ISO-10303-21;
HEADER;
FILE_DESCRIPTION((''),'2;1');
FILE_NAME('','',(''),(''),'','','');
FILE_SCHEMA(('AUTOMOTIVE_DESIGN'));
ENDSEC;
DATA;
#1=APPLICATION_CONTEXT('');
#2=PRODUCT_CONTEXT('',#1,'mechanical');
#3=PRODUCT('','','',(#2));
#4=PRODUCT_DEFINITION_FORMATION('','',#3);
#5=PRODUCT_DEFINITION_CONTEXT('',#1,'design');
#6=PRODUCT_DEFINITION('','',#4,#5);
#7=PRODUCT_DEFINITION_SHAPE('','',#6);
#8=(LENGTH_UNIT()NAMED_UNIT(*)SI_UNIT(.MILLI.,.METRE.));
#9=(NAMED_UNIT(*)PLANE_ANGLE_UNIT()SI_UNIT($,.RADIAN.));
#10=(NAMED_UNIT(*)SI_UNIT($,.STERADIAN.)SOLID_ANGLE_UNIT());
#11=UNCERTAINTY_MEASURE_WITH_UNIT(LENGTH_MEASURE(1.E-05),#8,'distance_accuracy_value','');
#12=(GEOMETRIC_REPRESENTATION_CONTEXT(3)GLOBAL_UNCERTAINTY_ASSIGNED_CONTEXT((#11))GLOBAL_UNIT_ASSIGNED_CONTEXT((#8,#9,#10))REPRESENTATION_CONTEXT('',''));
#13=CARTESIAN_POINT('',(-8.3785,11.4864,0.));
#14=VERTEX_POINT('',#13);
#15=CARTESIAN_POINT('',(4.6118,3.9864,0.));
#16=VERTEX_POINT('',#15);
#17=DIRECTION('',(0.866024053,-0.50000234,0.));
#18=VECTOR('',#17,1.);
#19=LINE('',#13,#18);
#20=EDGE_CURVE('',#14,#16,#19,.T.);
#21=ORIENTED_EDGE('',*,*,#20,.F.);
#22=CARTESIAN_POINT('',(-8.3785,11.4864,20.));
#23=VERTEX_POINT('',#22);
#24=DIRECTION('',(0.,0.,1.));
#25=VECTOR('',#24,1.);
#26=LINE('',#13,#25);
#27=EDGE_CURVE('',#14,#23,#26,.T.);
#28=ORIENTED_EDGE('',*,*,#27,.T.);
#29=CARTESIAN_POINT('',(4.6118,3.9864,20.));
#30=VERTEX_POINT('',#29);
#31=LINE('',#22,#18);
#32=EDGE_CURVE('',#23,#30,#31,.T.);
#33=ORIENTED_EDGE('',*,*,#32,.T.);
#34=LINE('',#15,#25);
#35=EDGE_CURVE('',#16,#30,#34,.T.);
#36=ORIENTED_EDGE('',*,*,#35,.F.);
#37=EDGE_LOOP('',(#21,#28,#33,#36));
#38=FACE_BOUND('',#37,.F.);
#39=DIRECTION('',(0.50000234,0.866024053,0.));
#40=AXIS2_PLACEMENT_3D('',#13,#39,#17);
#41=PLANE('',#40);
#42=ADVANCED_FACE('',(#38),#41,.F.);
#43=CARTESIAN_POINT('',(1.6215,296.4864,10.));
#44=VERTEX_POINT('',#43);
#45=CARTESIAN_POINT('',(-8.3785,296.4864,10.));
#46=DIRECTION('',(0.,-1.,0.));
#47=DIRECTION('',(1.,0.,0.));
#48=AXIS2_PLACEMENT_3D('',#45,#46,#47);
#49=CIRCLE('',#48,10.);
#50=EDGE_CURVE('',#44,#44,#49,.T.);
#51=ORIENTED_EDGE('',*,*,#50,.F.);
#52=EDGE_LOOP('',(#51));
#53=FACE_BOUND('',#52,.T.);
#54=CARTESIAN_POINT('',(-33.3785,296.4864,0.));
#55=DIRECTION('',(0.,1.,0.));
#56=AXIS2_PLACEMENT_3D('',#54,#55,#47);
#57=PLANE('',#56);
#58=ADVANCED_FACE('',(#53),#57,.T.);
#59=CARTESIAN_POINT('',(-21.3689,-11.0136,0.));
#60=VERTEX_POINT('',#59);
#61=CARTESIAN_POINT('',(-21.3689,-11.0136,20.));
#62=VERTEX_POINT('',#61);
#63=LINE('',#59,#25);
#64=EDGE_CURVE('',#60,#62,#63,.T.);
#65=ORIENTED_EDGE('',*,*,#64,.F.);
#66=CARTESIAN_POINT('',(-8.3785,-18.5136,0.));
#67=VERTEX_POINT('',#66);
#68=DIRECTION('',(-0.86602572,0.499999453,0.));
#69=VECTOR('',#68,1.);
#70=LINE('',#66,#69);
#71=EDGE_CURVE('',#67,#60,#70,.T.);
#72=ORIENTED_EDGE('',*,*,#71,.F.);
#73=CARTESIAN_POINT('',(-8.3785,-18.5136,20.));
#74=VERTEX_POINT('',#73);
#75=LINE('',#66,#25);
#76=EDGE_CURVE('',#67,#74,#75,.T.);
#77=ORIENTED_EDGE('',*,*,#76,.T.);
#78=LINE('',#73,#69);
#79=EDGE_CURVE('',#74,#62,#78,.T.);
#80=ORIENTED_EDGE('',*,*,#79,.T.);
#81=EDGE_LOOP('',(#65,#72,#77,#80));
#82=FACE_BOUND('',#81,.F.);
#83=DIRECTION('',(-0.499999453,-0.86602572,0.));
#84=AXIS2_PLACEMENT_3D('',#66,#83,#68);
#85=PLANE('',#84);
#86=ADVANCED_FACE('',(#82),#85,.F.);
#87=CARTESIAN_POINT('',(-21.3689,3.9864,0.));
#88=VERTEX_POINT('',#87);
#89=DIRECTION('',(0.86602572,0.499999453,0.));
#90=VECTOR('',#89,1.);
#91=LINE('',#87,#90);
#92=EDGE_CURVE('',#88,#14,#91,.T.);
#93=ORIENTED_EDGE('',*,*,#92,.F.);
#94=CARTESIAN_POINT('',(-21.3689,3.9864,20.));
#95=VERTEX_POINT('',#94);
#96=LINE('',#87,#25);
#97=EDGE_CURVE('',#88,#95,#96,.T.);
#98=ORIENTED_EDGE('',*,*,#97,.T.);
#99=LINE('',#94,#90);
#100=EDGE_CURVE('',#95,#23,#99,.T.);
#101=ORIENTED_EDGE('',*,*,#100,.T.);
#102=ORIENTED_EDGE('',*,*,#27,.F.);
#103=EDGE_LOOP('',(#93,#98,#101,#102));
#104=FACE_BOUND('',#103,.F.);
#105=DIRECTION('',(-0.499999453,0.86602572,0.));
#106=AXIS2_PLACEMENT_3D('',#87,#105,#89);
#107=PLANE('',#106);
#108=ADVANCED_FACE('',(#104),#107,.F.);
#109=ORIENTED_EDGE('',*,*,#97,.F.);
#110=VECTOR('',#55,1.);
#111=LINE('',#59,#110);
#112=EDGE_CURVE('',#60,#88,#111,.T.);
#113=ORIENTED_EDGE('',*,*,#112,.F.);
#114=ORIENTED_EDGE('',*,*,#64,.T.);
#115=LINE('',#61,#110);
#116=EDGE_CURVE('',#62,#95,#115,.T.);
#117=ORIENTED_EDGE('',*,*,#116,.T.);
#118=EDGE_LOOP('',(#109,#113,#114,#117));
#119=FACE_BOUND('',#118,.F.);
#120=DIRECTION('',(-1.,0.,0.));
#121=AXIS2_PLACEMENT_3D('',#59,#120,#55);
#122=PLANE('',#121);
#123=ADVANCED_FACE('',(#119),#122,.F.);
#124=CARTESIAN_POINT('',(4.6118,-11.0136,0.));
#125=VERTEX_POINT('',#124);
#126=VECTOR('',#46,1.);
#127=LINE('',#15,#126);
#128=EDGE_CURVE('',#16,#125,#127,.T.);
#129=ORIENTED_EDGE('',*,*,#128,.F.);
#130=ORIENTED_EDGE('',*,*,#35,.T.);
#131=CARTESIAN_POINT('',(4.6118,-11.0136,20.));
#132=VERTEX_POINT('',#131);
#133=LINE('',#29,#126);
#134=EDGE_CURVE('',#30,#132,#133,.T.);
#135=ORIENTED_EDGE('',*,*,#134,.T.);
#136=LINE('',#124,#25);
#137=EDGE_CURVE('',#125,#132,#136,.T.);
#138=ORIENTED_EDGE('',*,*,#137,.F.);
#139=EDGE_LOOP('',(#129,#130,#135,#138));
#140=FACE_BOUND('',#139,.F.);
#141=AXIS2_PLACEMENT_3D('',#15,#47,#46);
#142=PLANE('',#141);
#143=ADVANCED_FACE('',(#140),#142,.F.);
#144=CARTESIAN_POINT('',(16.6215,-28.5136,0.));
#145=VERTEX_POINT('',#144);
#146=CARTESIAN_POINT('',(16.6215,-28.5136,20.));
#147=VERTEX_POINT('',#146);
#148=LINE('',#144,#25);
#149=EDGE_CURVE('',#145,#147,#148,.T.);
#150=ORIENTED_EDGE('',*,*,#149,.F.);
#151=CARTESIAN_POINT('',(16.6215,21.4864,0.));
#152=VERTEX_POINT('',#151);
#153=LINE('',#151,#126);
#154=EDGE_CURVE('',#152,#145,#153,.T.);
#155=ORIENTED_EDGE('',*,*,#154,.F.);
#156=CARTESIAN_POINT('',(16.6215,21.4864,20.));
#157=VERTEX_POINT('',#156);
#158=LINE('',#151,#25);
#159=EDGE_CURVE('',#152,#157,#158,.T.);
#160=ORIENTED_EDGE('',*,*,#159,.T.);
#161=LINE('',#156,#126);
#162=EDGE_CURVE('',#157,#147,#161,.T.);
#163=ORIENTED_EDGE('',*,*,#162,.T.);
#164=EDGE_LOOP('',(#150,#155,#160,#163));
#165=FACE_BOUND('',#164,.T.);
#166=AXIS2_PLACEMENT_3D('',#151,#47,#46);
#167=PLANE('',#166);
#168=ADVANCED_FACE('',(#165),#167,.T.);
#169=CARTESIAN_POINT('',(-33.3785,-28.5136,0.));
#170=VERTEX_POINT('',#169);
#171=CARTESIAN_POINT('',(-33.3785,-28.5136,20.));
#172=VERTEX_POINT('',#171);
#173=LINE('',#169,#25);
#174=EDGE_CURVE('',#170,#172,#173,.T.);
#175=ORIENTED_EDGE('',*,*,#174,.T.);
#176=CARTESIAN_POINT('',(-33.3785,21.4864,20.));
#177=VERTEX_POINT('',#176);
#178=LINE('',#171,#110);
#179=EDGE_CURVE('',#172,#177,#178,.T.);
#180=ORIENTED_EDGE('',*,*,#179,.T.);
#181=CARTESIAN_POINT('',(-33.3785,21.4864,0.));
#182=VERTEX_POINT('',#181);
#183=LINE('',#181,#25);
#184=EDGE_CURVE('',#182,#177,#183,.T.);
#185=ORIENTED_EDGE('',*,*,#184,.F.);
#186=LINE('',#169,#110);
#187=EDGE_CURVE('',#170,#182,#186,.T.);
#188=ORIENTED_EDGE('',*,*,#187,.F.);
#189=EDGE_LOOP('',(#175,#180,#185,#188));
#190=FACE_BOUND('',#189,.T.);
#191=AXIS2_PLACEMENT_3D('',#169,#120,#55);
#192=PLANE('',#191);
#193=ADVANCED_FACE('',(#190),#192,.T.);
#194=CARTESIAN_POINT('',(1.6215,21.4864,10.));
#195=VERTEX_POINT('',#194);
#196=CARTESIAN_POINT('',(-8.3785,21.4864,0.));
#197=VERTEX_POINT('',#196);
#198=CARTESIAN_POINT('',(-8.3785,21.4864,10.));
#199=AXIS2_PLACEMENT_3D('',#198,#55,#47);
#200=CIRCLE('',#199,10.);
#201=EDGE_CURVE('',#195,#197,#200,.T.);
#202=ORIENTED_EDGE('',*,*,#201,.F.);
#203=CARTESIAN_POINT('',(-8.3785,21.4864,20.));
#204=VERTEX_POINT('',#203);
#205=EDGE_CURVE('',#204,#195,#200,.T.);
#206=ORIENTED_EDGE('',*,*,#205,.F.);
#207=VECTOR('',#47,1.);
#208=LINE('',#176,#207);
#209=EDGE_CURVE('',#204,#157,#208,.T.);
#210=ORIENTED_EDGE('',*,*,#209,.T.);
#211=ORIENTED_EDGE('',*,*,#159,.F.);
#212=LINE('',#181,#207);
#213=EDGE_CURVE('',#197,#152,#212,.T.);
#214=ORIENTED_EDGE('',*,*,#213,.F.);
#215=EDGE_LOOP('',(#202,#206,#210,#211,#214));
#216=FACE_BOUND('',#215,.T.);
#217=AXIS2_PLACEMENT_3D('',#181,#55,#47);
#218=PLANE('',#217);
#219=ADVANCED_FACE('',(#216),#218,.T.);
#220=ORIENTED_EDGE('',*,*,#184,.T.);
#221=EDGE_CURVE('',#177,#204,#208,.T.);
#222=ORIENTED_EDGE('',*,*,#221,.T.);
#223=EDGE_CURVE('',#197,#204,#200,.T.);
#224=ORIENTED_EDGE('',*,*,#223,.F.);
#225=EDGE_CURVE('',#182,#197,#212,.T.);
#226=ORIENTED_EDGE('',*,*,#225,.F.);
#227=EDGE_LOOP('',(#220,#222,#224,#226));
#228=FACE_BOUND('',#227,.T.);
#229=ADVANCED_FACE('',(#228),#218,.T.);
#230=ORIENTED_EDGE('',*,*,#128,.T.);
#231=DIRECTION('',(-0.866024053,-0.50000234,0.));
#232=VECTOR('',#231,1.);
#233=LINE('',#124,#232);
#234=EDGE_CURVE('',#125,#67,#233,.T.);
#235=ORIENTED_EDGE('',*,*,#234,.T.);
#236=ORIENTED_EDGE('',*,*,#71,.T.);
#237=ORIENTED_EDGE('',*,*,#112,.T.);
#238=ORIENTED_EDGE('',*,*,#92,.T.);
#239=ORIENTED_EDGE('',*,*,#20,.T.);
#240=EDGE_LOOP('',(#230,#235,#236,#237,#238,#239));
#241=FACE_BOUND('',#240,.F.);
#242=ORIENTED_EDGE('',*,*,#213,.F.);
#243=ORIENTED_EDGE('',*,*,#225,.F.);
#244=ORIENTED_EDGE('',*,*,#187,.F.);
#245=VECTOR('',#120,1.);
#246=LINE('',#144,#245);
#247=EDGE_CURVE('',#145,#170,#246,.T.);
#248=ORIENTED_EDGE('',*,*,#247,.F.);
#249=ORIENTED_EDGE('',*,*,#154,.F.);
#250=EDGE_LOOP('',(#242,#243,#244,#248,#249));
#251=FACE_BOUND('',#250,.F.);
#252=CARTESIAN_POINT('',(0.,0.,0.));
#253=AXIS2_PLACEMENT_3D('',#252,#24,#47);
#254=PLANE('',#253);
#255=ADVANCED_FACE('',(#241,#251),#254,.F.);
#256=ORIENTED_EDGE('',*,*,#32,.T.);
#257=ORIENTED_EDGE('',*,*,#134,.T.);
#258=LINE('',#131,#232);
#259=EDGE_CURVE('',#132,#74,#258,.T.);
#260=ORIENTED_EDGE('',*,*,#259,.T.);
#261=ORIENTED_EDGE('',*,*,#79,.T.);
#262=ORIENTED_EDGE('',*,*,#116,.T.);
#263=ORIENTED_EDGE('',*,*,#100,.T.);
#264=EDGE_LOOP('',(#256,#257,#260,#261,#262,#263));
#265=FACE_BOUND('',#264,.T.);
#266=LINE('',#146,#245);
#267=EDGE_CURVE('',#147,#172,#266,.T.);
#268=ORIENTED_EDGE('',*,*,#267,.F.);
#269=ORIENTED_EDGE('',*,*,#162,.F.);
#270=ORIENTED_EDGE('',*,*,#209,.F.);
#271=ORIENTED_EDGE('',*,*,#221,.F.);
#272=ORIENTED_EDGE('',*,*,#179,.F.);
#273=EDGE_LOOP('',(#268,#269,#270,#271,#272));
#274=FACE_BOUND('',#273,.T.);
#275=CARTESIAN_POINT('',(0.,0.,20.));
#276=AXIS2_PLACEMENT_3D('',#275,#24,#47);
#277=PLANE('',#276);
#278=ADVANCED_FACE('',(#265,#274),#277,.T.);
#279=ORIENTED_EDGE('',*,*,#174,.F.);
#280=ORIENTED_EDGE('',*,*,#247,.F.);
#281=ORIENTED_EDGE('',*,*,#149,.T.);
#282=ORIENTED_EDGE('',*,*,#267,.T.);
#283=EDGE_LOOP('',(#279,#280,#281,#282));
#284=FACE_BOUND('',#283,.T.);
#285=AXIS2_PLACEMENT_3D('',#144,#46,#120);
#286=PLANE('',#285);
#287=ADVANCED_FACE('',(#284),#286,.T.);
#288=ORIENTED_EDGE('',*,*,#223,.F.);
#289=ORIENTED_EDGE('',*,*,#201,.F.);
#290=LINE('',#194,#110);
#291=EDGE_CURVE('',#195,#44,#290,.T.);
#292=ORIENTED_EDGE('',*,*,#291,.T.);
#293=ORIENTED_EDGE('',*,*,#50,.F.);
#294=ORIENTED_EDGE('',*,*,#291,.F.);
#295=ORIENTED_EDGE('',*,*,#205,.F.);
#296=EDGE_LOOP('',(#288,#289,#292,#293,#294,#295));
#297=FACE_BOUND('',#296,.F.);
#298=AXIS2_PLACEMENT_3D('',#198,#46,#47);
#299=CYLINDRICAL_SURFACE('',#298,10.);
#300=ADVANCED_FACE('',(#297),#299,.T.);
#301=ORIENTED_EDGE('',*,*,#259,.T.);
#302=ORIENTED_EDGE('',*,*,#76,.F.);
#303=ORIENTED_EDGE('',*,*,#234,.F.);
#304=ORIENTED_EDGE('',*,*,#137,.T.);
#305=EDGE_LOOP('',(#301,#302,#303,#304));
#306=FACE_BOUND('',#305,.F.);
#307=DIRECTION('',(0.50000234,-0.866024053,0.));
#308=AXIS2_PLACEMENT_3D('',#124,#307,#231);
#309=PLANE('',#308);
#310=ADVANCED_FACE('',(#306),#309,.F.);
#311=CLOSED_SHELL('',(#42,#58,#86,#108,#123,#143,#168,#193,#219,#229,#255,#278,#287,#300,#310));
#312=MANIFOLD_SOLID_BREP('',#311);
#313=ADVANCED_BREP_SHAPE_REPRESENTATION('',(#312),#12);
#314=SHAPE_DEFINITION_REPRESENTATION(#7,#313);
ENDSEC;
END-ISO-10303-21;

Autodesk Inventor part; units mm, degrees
ref_plane "YZ Plane" through (0, 0, 0) normal (1, 0, 0) x (0, 1, 0)
ref_plane "XZ Plane" through (0, 0, 0) normal (0, 1, 0) x (-1, 0, 0)
ref_plane "XY Plane" through (0, 0, 0) normal (0, 0, 1) x (1, 0, 0)
sketch "Szkic1" plane through (0, 0, 0) normal (0, 0, 1) x (1, 0, 0)
  circle A0 centre (-8.3785, -3.5136) radius 15
  line L0 (-8.3785, 11.4864) -> (4.6118, 3.9864)
  line L1 (4.6118, 3.9864) -> (4.6118, -11.0136)
  line L2 (4.6118, -11.0136) -> (-8.3785, -18.5136)
  line L3 (-8.3785, -18.5136) -> (-21.3689, -11.0136)
  line L4 (-21.3689, -11.0136) -> (-21.3689, 3.9864)
  line L5 (-21.3689, 3.9864) -> (-8.3785, 11.4864)
  line L6 (-33.3785, 21.4864) -> (16.6215, 21.4864)
  line L7 (16.6215, 21.4864) -> (16.6215, -28.5136)
  line L8 (16.6215, -28.5136) -> (-33.3785, -28.5136)
  line L9 (-33.3785, -28.5136) -> (-33.3785, 21.4864)
  line L10 (-33.3785, 21.4864) -> (16.6215, -28.5136) construction
  line L11 (16.6215, 21.4864) -> (-33.3785, -28.5136) construction
  point P0 (0, 0)
  point P1 (-16.899, -8.3685)
  point P2 (-21.3689, 3.9864)
  dimension "d2" = 360
  dimension "d3" = 50
  dimension "d4" = 50
extrude "Wyciągnięcie proste1" add sketch "Szkic1" along normal blind 20 contours A0 L1 | L0 A0 | A0 L2 | L5 A0 | A0 L3 | L4 A0 | L6 L7 L8 L9
sketch "Szkic2" plane through (-33.3785, 21.4864, 0) normal (0, 1, 0) x (1, 0, 0)
  line L0 (25, 0) -> (25, -20) projected
  circle A0 centre (25, -10) radius 10
  point P0 (33.3785, 0)
  dimension "d7" = 20
extrude "Wyciągnięcie proste2" add sketch "Szkic2" along normal blind 275
properties part number "dźwignia"
